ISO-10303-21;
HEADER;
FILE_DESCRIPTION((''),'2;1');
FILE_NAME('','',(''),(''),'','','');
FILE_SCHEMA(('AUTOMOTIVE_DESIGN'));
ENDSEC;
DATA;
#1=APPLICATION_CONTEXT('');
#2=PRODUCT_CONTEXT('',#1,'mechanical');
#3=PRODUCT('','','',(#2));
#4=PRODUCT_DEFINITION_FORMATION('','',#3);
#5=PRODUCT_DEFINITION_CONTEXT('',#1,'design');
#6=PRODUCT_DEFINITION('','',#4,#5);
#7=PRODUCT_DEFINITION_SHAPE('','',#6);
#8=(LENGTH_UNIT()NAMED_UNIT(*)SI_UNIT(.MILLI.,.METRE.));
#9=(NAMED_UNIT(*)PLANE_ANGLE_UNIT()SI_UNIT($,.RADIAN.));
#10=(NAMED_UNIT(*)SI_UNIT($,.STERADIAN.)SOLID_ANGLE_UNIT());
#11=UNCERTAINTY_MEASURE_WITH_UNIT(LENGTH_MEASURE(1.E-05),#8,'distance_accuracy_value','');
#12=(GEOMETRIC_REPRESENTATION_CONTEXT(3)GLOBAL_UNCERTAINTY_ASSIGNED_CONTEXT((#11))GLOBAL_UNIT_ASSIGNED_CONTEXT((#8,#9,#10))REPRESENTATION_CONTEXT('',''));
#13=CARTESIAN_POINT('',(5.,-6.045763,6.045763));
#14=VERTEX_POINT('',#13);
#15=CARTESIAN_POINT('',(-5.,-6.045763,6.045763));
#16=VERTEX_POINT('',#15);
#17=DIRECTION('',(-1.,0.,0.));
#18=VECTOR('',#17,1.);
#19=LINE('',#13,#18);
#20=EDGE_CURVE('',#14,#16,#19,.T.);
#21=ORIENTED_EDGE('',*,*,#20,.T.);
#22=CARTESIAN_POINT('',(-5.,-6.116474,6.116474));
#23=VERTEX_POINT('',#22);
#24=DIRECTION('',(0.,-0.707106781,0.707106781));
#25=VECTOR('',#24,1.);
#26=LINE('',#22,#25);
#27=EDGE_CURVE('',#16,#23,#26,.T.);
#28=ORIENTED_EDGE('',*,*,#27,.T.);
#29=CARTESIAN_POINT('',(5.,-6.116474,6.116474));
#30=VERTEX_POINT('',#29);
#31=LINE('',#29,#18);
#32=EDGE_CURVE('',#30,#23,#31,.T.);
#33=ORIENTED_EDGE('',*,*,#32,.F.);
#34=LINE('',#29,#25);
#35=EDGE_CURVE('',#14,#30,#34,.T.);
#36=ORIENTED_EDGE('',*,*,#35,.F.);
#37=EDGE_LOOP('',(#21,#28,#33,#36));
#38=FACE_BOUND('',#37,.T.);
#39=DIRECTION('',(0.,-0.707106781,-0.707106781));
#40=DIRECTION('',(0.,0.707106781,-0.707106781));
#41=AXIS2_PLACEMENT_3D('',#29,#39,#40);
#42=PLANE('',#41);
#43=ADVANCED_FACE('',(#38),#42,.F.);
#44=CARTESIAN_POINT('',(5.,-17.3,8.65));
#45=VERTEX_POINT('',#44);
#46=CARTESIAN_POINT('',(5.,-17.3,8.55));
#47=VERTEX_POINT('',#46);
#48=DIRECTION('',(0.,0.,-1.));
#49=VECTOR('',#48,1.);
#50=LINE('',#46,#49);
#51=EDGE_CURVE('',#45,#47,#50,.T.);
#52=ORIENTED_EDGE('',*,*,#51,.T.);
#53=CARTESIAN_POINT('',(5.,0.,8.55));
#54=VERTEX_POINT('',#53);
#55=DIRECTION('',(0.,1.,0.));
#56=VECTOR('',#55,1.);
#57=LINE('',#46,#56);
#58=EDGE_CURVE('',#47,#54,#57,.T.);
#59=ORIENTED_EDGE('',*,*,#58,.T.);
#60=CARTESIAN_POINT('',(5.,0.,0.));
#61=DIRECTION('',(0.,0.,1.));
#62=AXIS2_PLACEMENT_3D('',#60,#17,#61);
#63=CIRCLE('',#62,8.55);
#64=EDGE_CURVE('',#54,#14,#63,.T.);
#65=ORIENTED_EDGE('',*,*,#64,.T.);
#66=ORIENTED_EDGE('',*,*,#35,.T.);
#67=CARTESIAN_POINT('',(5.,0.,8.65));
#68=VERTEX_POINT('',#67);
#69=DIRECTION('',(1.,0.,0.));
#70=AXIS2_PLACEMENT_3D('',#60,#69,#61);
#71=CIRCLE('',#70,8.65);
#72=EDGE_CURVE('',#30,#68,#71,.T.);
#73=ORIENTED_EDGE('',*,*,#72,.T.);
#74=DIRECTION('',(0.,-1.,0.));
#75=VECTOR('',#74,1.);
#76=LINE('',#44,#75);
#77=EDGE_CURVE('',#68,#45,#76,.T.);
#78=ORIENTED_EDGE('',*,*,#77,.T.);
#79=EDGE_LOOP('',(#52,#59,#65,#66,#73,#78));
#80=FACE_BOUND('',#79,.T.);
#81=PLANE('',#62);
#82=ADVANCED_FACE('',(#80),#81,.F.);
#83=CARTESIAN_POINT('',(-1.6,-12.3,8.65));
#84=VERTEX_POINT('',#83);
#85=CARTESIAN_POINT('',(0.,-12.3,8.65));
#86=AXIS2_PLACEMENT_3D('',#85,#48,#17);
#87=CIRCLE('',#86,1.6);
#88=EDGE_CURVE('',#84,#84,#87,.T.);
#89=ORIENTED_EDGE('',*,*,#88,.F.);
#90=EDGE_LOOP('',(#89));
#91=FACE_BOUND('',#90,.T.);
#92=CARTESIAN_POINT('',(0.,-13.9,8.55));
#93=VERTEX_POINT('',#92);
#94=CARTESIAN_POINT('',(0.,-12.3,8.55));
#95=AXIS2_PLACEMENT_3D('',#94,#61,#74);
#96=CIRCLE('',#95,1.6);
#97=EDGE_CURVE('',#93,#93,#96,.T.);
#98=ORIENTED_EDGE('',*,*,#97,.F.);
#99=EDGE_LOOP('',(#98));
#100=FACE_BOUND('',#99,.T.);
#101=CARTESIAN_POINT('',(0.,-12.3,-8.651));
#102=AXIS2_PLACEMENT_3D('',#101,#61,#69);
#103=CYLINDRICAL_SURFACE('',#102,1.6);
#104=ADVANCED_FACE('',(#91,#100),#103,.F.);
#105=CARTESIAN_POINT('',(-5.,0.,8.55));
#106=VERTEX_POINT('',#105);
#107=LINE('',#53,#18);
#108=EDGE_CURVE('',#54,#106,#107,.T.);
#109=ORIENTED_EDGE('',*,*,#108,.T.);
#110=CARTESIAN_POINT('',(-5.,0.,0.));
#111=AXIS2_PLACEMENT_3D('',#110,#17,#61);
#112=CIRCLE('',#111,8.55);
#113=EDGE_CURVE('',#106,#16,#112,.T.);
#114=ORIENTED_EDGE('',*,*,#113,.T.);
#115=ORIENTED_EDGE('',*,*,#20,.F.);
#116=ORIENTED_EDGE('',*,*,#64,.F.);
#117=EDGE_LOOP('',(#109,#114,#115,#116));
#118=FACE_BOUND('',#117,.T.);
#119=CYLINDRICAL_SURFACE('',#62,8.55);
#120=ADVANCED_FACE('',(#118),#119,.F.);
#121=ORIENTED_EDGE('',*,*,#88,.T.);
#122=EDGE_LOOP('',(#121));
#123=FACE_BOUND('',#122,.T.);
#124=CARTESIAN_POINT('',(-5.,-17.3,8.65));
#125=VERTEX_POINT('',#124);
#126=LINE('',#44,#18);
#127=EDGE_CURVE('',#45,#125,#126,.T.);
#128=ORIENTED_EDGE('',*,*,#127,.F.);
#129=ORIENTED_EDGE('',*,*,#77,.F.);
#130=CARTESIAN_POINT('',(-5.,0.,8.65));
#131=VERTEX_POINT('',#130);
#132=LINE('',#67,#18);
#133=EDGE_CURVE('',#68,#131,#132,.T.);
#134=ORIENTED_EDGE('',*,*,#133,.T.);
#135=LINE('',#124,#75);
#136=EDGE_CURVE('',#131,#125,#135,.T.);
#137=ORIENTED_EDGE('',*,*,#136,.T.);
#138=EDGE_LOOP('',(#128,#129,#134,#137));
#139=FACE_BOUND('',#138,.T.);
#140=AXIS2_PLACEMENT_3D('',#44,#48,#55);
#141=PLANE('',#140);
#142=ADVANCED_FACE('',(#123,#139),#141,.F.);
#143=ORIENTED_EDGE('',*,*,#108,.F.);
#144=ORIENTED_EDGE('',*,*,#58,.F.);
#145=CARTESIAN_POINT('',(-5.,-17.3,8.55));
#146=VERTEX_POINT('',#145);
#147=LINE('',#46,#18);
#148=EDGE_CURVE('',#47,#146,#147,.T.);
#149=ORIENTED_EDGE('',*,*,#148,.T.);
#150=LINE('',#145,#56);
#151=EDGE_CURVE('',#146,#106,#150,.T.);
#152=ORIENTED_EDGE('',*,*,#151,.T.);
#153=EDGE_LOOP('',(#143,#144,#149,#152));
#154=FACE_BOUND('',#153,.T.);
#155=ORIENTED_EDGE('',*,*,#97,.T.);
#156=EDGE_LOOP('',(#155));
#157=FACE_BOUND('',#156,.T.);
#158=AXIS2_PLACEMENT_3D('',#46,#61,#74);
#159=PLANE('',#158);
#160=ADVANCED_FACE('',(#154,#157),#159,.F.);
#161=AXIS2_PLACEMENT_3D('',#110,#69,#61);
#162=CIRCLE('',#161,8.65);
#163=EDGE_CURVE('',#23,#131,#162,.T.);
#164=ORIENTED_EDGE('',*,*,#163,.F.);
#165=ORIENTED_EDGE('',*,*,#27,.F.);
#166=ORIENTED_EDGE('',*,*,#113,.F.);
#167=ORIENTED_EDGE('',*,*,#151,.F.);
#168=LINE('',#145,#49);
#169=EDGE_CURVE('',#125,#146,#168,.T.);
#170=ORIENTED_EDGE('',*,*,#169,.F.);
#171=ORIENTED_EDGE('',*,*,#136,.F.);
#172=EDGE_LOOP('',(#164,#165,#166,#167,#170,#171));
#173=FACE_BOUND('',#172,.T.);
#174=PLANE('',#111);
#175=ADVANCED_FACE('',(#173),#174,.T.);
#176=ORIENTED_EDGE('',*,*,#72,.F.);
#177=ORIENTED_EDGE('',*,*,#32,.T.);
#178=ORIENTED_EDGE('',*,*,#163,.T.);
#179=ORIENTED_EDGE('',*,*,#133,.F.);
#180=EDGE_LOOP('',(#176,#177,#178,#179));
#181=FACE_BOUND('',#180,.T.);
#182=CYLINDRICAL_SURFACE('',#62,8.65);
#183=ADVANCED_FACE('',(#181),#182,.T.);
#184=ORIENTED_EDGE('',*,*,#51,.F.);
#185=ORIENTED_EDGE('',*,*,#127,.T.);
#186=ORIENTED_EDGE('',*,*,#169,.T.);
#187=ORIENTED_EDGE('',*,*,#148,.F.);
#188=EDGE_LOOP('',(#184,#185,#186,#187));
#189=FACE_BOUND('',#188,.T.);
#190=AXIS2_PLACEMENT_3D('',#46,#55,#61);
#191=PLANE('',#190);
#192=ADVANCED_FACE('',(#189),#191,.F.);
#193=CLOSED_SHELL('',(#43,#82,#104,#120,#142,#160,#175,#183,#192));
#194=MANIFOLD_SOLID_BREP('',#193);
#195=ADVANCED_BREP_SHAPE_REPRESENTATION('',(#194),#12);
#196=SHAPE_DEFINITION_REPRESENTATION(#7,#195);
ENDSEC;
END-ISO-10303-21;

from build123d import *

# Parameters (mm, degrees)
BOSS_EXTRUDE1_DEPTH = 5
CUT_EXTRUDE1_REACH  = 26.972
SKETCH2_R           = 1.6


with BuildPart() as part:
    # Sketch1 → Boss-Extrude1 (new, symmetric)
    with BuildSketch(Plane(origin=(0, 0, 0), x_dir=(0, -1, 0), z_dir=(1, 0, 0))):
        with BuildLine():
            Line((6.116473657, -6.116473657), (6.045762979, -6.045762979))
            ThreePointArc((6.045762979, -6.045762979), (-3.271943347, 7.899170003), (0, -8.55))
            Line((0, -8.55), (17.3, -8.55))
            Line((17.3, -8.55), (17.3, -8.65))
            Line((17.3, -8.65), (0, -8.65))
            ThreePointArc((0, -8.65), (-3.31021169, 7.991557956), (6.116473657, -6.116473657))
        make_face()
    extrude(amount=BOSS_EXTRUDE1_DEPTH, both=True)

    # Sketch2 → Cut-Extrude1 (cut, up to next)
    with BuildSketch(Plane(origin=(0, 0, 8.65), x_dir=(-1, 0, 0), z_dir=(0, 0, -1)), mode=Mode.PRIVATE) as cut_extrude1_sk1:
        with Locations(Location((0, -12.3, 0), (0, 0, 270))):
            Circle(SKETCH2_R)
    cut_extrude1_tool1 = extrude(cut_extrude1_sk1.sketch, amount=CUT_EXTRUDE1_REACH, mode=Mode.PRIVATE) & part.part
    add(cut_extrude1_tool1.solids().sort_by_distance((0, -12.3, 8.65))[0], mode=Mode.SUBTRACT)


solid = part.part
